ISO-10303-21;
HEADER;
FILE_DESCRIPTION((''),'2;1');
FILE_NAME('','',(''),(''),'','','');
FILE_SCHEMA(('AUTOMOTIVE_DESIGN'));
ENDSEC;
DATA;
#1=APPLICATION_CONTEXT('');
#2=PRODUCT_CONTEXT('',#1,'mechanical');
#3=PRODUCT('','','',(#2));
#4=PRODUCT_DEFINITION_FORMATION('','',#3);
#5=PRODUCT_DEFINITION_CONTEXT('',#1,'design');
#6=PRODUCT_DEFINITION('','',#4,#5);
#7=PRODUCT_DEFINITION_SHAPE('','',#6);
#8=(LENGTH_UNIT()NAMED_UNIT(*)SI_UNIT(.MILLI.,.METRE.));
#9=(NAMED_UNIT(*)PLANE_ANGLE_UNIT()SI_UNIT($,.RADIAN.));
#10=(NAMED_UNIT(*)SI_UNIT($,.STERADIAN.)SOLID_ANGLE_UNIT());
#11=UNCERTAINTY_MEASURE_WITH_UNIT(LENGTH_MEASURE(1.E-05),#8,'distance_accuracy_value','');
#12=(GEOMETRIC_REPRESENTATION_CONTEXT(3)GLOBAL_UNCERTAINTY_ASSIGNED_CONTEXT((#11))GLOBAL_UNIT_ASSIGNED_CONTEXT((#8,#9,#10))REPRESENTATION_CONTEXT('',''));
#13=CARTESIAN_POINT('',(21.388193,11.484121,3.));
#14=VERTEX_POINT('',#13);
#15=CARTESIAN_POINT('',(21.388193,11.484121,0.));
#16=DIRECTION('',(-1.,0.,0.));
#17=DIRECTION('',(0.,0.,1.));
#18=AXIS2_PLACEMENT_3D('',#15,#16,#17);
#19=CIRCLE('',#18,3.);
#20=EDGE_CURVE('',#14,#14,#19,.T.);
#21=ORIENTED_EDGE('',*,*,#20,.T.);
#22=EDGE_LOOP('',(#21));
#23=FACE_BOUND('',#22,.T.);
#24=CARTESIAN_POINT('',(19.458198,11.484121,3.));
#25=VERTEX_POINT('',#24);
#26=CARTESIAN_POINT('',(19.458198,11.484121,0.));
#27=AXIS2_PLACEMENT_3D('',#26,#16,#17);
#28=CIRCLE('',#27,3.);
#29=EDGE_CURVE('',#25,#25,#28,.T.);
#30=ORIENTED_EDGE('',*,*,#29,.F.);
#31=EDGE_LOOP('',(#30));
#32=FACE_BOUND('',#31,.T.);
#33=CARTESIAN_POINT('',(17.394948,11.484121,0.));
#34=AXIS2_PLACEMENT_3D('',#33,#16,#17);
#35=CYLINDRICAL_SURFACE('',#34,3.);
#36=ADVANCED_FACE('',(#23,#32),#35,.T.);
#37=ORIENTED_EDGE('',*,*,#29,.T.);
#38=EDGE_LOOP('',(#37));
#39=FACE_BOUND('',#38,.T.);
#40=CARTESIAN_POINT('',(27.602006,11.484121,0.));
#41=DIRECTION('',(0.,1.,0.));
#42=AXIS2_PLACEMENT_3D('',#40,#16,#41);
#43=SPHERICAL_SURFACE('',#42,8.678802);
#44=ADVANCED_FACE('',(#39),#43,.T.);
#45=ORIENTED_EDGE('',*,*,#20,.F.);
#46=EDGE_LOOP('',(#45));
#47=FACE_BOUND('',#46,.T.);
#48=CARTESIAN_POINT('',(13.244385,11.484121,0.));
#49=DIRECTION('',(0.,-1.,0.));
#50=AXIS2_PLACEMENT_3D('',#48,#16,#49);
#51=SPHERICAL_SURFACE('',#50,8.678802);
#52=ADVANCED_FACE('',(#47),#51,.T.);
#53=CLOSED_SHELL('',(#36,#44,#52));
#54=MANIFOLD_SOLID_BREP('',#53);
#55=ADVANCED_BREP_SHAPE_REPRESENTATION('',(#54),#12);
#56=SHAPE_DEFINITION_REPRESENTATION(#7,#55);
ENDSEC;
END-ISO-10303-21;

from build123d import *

# Parameters (mm, degrees)
SKETCH_1_ONE_SIDE_W = 1.929994286
SKETCH_1_ONE_SIDE_H = 3


with BuildPart() as part:
    # 草图1 one side → 旋转1 (revolve)
    with BuildSketch(Plane.XY, mode=Mode.PRIVATE) as revolve_1_sk:
        with Locations((20.42319538, 12.984121187)):
            Rectangle(SKETCH_1_ONE_SIDE_W, SKETCH_1_ONE_SIDE_H)
        with BuildLine():
            Line((18.923203951, 11.484121187), (19.458198237, 11.484121187))
            Line((19.458198237, 11.484121187), (19.458198237, 14.484121187))
            ThreePointArc((19.458198237, 14.484121187), (19.057999314, 13.007786085), (18.923203951, 11.484121187))
        make_face()
        with BuildLine():
            Line((21.388192523, 11.484121187), (21.923186808, 11.484121187))
            ThreePointArc((21.923186808, 11.484121187), (21.788391446, 13.007786085), (21.388192523, 14.484121187))
            Line((21.388192523, 14.484121187), (21.388192523, 11.484121187))
        make_face()
    revolve(revolve_1_sk.sketch.rotate(Axis((17.394947656, 11.484121187, 0), (1, 0, 0)), 90), axis=Axis((17.394947656, 11.484121187, 0), (1, 0, 0)))  # turned: the seam where the file's is


solid = part.part
